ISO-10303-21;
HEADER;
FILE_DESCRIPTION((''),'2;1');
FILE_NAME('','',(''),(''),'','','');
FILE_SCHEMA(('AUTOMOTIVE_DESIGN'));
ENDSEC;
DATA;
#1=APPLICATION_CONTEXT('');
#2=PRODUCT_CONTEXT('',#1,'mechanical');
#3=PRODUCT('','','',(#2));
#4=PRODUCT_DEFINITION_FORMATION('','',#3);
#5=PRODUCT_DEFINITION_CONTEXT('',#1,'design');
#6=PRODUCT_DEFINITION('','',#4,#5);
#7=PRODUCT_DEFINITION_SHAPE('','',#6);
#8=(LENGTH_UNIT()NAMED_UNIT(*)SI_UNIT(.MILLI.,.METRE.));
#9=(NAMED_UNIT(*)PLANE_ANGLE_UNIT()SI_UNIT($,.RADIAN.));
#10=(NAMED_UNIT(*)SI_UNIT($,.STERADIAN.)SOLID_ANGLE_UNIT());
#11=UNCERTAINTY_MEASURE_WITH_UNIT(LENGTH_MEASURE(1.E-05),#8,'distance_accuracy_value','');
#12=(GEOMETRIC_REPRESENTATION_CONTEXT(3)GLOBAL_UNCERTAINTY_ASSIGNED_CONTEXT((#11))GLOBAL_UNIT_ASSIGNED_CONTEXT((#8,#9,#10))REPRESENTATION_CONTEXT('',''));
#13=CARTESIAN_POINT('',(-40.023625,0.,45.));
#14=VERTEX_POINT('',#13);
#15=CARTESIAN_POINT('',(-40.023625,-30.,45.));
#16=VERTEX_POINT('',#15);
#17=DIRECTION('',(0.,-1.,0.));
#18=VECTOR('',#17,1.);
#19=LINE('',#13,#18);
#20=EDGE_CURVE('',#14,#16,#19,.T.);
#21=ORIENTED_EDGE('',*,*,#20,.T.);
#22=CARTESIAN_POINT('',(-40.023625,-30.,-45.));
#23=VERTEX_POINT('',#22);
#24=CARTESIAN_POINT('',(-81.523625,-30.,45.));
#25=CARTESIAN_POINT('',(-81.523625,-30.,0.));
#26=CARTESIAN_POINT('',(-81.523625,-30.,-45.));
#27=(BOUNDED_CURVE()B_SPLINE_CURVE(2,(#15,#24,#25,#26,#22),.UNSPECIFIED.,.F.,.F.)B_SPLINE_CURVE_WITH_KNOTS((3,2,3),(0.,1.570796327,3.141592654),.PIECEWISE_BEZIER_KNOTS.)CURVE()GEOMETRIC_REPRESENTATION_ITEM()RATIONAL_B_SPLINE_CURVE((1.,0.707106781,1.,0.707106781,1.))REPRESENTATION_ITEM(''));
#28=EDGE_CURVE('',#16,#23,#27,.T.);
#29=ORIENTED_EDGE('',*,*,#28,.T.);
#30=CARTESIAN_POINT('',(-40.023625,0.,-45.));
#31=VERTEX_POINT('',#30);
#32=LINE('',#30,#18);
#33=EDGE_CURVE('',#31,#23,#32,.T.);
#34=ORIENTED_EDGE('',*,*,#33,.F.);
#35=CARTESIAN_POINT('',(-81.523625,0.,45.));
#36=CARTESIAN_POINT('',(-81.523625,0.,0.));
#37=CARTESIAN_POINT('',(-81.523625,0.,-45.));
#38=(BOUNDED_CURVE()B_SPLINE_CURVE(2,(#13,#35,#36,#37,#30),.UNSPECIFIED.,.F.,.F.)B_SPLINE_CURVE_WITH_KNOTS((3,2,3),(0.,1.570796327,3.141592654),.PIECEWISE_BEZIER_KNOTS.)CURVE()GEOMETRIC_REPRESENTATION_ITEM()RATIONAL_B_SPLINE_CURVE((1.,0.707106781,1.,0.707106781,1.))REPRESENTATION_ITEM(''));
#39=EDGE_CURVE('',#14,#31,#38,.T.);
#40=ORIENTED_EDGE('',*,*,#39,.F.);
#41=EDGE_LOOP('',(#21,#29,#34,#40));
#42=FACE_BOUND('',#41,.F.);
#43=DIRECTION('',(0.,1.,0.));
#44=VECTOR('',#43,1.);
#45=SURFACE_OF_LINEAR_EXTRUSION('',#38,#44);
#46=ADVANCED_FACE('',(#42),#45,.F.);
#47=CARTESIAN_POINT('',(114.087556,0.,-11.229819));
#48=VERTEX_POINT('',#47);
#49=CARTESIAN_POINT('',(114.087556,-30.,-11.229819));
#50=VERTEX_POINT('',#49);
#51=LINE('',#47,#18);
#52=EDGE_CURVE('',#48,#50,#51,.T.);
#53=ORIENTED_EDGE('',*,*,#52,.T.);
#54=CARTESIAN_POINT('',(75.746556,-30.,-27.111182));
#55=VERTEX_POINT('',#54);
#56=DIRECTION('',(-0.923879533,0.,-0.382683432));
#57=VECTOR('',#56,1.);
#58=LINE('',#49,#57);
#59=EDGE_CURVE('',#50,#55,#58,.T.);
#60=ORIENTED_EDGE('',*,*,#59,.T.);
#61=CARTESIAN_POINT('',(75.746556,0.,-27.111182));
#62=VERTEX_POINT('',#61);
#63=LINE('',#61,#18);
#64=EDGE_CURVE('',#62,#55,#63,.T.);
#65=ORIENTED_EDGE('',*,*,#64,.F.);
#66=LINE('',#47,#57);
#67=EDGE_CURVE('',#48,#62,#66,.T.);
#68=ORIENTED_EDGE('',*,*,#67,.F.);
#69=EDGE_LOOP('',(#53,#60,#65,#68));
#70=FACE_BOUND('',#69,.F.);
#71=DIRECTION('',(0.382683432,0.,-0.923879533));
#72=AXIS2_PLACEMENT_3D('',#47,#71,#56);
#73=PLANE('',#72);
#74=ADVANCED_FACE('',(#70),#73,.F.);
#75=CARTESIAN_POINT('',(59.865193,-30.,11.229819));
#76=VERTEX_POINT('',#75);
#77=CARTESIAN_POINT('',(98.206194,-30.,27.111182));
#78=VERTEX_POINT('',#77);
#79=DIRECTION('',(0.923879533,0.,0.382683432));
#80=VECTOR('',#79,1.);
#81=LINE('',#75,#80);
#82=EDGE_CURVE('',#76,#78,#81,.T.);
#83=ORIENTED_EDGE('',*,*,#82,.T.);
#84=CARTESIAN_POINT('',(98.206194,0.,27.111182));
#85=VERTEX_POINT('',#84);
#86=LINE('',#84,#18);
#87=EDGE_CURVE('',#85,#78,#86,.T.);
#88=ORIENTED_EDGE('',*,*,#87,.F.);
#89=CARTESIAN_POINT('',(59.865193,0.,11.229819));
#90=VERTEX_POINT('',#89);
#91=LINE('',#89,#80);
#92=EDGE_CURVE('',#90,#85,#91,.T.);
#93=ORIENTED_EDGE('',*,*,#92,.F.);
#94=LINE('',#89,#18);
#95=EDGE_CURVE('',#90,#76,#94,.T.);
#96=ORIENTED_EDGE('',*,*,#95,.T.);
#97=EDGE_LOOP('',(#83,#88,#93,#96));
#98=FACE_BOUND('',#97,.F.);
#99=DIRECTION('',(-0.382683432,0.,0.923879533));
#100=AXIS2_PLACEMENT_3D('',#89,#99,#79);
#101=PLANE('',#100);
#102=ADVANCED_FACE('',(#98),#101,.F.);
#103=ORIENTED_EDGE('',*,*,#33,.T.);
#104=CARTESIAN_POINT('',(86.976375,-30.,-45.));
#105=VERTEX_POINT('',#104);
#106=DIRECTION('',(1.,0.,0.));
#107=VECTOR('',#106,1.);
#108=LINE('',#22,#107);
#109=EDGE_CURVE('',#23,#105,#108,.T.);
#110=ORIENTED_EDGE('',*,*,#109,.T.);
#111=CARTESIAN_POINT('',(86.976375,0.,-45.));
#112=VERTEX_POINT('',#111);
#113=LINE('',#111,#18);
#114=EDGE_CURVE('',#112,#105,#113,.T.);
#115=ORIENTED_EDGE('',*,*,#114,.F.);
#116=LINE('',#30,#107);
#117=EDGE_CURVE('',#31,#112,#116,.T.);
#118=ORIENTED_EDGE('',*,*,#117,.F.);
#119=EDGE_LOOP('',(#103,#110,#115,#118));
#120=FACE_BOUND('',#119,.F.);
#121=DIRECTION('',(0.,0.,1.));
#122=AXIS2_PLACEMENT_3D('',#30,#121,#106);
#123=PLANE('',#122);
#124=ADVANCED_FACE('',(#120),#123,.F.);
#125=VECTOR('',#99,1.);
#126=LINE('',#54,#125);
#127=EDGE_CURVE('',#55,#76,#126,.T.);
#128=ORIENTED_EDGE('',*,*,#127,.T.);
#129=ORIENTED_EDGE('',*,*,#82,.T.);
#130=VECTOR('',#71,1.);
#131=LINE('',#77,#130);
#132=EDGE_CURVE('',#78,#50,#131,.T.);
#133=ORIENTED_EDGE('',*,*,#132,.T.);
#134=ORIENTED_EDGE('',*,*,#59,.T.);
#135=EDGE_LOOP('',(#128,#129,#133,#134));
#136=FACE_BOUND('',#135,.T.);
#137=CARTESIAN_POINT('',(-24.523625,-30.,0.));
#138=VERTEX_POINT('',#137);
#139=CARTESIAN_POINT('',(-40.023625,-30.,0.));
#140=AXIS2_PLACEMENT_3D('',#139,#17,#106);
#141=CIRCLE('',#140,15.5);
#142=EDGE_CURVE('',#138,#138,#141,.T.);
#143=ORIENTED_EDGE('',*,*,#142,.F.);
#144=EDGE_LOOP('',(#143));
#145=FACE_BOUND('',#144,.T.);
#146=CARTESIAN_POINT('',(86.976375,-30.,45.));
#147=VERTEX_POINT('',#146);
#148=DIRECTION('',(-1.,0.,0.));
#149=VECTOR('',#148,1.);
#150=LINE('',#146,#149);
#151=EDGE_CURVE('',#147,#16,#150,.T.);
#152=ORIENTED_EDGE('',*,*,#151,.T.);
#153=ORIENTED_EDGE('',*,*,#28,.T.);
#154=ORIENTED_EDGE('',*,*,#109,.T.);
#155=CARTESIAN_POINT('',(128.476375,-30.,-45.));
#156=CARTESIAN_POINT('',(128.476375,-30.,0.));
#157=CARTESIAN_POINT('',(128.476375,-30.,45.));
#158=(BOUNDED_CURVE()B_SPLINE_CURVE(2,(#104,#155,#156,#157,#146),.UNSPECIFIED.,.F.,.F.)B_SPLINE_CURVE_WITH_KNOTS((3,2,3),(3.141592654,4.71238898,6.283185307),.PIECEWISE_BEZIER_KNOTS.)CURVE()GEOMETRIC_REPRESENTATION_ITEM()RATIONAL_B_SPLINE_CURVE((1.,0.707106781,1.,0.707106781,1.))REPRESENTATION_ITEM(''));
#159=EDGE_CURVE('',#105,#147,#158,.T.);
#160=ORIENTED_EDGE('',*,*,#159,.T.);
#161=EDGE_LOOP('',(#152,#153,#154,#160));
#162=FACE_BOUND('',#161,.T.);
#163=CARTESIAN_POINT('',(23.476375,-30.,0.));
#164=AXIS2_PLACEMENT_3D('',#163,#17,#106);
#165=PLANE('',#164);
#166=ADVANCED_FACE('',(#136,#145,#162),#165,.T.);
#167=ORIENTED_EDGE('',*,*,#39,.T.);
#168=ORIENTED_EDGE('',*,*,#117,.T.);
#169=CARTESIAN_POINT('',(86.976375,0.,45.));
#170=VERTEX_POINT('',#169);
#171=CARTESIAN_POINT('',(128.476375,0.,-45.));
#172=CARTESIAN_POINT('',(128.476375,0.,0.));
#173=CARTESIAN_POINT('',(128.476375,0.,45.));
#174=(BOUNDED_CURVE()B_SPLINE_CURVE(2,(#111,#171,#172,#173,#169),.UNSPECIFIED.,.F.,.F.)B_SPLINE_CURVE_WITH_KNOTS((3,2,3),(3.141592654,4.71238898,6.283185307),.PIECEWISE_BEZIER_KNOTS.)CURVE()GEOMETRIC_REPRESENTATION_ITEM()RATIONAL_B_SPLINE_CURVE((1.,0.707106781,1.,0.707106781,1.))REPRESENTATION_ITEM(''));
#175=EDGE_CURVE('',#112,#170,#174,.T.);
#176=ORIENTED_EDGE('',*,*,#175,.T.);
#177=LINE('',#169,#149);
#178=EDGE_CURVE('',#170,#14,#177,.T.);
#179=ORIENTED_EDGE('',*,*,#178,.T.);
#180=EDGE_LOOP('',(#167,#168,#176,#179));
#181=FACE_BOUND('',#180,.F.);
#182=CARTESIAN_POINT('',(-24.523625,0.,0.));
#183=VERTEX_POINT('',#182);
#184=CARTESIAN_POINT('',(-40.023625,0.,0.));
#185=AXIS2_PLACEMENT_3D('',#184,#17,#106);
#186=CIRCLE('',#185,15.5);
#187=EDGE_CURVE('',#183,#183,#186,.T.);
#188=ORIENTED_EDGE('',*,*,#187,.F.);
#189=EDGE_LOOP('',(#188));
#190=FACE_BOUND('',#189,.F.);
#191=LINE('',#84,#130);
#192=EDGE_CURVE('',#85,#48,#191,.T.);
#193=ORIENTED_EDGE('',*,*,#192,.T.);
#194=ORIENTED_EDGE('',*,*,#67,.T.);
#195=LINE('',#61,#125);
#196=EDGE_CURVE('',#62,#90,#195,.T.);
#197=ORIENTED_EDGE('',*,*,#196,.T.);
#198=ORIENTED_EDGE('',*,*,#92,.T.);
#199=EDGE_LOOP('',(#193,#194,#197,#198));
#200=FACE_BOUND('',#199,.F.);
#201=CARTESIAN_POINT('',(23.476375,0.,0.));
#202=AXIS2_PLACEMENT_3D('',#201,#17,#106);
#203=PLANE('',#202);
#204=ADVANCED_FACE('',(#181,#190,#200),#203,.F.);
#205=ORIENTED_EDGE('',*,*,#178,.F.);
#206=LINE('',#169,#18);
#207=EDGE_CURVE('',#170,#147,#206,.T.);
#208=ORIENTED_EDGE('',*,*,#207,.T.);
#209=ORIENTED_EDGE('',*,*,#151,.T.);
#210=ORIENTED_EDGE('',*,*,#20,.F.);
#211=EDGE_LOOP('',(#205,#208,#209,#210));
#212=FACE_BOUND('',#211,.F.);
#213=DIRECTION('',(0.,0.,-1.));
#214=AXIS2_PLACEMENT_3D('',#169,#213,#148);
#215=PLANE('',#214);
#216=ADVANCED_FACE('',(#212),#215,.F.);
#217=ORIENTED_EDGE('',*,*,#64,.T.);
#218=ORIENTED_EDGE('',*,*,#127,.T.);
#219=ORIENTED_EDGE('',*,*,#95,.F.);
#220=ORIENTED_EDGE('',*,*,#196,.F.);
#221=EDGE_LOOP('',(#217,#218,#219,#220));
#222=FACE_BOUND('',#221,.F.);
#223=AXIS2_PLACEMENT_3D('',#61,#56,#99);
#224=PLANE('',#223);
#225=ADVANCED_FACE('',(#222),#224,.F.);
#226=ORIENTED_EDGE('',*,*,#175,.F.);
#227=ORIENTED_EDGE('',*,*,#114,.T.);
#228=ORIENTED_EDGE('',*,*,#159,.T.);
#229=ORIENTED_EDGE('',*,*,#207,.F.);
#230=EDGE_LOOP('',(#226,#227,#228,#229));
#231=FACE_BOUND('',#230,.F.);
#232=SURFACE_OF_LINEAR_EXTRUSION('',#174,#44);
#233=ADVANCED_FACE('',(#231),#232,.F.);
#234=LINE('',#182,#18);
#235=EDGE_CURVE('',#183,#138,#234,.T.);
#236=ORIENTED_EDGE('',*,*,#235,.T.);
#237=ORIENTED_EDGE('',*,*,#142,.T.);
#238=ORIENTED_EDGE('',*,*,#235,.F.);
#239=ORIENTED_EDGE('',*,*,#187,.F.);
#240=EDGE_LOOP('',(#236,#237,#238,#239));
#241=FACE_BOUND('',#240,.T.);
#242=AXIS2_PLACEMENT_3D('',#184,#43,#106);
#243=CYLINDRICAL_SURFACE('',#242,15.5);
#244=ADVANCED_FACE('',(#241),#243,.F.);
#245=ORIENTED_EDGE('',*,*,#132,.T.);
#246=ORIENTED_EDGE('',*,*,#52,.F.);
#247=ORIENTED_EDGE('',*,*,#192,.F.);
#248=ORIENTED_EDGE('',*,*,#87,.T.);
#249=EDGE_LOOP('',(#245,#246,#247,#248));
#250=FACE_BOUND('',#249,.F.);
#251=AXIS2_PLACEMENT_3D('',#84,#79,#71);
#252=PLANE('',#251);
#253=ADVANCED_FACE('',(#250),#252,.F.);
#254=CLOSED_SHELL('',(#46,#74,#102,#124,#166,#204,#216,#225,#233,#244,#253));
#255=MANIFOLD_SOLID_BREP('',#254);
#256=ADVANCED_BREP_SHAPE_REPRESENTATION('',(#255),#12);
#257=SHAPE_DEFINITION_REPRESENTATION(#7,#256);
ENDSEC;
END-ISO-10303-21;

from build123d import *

# Parameters (mm, degrees)
F0_R     = 15.5
F1_DEPTH = 30


with BuildPart() as f1:
    # F0 (on Front) → F1 (new body)
    with BuildSketch(Plane.XZ):
        with BuildLine():
            Line((86.9763747505, 45), (-40.0236252495, 45))
            add(Edge.make_bspline(
                [(-40.0236252495, 45), (-81.5236252495, 45), (-81.5236252495, 0), (-81.5236252495, -45), (-40.0236252495, -45)],
                knots=[0, 0, 0, 1.5707963268, 1.5707963268, 3.1415926536, 3.1415926536, 3.1415926536], degree=2, weights=[1, 0.7071067812, 1, 0.7071067812, 1]))
            Line((-40.0236252495, -45), (86.9763747505, -45))
            add(Edge.make_bspline(
                [(86.9763747505, -45), (128.4763747505, -45), (128.4763747505, 0), (128.4763747505, 45), (86.9763747505, 45)],
                knots=[3.1415926536, 3.1415926536, 3.1415926536, 4.7123889804, 4.7123889804, 6.2831853072, 6.2831853072, 6.2831853072], degree=2, weights=[1, 0.7071067812, 1, 0.7071067812, 1]))
        make_face()
        with Locations((-40.0236252495, 0)):
            Circle(F0_R, mode=Mode.SUBTRACT)
        Polygon((75.7465556724, -27.1111815212), (64.5167365944, 0), (59.8651932293, 11.229819078), (98.2061938285, 27.1111815212), (114.0875562716, -11.229819078), align=None, mode=Mode.SUBTRACT)
    extrude(amount=F1_DEPTH)


solid = f1.part
